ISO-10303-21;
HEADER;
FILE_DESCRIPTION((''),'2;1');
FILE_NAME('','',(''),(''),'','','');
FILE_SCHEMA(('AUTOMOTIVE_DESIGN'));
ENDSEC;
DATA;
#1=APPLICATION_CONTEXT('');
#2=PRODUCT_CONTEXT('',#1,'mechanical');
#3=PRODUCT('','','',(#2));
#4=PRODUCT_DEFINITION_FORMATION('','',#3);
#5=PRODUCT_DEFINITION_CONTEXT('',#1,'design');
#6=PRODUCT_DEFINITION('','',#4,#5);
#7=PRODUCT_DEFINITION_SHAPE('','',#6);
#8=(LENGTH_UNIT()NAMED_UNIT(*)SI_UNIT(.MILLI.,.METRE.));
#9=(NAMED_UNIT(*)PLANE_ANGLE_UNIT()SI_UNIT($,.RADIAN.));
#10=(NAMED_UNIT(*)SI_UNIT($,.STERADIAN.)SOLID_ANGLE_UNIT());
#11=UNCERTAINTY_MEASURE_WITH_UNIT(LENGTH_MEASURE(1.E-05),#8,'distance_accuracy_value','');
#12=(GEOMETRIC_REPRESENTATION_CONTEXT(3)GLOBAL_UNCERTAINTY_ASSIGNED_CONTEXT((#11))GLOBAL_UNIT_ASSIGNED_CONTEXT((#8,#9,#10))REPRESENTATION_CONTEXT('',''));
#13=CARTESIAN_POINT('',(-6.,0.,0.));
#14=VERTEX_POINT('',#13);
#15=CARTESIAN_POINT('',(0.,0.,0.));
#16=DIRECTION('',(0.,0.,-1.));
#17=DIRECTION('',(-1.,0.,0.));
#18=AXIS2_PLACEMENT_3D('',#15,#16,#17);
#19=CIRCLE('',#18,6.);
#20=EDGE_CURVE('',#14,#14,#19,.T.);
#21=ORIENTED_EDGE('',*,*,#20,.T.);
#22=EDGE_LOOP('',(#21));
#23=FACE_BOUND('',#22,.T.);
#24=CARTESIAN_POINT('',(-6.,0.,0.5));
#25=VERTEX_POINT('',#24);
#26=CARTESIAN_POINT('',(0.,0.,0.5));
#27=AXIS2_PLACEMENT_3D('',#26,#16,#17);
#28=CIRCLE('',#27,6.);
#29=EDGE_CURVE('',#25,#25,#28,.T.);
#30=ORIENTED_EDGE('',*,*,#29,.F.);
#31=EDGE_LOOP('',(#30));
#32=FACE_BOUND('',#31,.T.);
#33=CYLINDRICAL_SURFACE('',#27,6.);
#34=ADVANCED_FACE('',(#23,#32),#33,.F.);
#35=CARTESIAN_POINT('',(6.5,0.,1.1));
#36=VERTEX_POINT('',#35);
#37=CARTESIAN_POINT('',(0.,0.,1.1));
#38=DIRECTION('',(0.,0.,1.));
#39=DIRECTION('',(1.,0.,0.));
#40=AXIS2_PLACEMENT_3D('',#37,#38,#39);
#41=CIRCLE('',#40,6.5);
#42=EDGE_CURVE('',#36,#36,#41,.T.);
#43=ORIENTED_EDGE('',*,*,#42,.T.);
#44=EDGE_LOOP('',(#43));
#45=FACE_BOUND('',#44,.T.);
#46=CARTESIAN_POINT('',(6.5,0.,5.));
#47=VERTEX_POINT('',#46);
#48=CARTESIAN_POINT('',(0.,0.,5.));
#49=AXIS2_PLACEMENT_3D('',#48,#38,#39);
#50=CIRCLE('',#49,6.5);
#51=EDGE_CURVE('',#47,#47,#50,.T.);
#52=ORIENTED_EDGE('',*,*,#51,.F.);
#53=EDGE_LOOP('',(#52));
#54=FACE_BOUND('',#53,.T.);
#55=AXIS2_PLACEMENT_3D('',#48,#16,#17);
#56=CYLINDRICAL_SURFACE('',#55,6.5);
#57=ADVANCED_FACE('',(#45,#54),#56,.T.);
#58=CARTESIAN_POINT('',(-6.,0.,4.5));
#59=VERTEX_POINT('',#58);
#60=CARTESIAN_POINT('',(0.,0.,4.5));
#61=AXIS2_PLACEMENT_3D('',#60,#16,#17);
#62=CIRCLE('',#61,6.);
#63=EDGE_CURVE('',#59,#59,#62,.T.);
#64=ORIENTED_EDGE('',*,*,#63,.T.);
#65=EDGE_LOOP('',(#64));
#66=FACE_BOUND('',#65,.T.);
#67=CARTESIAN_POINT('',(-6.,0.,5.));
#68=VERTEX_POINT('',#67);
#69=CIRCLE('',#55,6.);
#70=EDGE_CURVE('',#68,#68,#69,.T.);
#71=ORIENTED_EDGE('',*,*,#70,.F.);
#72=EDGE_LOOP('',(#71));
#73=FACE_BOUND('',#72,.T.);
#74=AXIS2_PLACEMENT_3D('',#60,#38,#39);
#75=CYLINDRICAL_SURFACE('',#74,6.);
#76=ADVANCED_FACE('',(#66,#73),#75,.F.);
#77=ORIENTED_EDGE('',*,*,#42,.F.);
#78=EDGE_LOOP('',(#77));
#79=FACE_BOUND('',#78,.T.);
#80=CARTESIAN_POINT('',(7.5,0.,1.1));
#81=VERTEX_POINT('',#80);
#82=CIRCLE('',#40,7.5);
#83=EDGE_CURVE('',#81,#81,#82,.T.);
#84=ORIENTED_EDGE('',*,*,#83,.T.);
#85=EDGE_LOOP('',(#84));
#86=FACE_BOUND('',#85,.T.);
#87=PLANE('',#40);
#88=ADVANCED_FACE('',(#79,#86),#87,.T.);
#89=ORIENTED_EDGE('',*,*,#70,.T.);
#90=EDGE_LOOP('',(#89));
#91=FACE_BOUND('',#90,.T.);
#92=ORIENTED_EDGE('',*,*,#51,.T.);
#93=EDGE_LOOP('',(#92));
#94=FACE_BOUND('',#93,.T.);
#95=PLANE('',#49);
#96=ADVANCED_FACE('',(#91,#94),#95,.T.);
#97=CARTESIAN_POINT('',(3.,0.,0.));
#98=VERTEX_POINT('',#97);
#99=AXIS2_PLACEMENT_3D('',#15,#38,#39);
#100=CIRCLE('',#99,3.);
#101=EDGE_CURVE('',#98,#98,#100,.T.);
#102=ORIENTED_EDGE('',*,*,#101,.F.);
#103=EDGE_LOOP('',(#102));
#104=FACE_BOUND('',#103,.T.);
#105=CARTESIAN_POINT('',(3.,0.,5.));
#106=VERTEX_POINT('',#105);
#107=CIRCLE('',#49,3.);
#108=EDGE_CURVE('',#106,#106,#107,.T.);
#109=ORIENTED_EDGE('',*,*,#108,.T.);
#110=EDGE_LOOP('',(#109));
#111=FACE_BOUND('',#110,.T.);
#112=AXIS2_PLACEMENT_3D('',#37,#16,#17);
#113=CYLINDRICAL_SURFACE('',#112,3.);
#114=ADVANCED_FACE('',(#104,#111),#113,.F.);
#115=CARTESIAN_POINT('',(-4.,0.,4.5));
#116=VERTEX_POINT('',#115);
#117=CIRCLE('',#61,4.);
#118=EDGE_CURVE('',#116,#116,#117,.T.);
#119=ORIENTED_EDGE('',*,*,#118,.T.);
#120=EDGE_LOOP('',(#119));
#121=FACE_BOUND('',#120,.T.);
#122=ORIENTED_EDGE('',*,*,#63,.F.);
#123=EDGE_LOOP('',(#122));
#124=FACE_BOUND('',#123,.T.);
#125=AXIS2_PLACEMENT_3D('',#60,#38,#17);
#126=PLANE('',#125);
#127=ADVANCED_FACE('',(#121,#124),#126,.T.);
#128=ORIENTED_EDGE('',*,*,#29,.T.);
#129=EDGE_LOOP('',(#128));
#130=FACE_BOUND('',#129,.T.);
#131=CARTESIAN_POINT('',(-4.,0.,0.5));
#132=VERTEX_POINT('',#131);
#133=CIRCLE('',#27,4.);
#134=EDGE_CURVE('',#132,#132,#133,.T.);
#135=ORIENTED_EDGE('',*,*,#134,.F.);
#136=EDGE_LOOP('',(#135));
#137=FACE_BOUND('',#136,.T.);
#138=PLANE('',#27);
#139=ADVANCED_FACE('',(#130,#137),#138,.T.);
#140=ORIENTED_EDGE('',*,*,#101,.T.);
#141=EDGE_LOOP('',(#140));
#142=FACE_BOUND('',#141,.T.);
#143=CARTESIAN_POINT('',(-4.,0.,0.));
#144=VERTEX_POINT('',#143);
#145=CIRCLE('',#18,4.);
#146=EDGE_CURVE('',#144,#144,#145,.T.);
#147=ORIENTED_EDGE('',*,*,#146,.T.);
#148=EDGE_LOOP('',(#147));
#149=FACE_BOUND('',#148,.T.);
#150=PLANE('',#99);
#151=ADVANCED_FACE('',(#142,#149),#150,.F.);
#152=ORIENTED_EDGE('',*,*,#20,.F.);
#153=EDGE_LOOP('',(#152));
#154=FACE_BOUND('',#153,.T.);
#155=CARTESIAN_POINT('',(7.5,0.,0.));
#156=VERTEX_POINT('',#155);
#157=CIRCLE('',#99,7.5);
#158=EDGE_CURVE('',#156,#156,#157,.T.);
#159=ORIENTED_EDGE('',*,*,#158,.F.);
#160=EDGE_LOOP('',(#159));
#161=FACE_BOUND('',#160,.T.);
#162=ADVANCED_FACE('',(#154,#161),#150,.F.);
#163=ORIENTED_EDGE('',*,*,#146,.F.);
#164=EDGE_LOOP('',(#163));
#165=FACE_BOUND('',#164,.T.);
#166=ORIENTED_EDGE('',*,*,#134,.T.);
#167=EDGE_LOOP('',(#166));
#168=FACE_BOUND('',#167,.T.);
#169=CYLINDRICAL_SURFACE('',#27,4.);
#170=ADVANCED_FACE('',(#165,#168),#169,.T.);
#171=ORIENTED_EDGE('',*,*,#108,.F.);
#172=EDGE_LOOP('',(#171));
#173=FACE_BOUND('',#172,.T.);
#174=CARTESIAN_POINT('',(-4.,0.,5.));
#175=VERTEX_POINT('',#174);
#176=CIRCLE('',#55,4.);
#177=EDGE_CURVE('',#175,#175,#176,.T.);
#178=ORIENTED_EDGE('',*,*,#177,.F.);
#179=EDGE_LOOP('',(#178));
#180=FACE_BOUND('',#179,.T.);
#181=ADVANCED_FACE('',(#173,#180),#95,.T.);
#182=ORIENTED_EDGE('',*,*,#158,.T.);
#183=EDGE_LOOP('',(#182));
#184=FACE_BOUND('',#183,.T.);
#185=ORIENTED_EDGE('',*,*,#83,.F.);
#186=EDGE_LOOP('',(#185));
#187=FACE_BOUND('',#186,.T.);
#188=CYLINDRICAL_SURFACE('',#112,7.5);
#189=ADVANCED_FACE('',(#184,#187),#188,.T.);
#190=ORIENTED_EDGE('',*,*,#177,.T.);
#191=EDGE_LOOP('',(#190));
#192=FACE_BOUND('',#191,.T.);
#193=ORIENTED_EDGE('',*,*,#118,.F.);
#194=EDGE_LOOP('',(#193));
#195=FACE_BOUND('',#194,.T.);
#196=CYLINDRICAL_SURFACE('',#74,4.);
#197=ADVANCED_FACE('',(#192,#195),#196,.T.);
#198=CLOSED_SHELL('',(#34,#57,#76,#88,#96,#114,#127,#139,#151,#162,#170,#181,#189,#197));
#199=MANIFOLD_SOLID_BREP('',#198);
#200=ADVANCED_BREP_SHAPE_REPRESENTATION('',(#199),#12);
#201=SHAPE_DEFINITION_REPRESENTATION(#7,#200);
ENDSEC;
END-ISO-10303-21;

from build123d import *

# Parameters (mm, degrees)
SKETCH1_R           = 7.5
SKETCH1_R_2         = 3
BOSS_EXTRUDE1_DEPTH = 1.1
SKETCH2_R           = 6.5
SKETCH2_R_2         = 3
BOSS_EXTRUDE2_DEPTH = 3.9
SKETCH3_R           = 6
SKETCH3_R_2         = 4
CUT_EXTRUDE1_DEPTH  = 0.5


with BuildPart() as part:
    # Sketch1 → Boss-Extrude1 (new body)
    with BuildSketch(Plane.XY):
        Circle(SKETCH1_R)
        Circle(SKETCH1_R_2, mode=Mode.SUBTRACT)
    extrude(amount=BOSS_EXTRUDE1_DEPTH)

    # Sketch2 → Boss-Extrude2 (add)
    with BuildSketch(Plane.XY.offset(1.1)):
        Circle(SKETCH2_R)
        Circle(SKETCH2_R_2, mode=Mode.SUBTRACT)
    extrude(amount=BOSS_EXTRUDE2_DEPTH)

    # Sketch3 → Cut-Extrude1 (cut)
    with BuildSketch(Plane(origin=(0, 0, 0), x_dir=(-1, 0, 0), z_dir=(0, 0, -1))):
        Circle(SKETCH3_R)
        Circle(SKETCH3_R_2, mode=Mode.SUBTRACT)
    cut_extrude1 = extrude(amount=-CUT_EXTRUDE1_DEPTH, mode=Mode.SUBTRACT)

    # Mirror1: Cut-Extrude1 across plane
    add(cut_extrude1.mirror(Plane.XY.offset(2.5)), mode=Mode.SUBTRACT)


solid = part.part
